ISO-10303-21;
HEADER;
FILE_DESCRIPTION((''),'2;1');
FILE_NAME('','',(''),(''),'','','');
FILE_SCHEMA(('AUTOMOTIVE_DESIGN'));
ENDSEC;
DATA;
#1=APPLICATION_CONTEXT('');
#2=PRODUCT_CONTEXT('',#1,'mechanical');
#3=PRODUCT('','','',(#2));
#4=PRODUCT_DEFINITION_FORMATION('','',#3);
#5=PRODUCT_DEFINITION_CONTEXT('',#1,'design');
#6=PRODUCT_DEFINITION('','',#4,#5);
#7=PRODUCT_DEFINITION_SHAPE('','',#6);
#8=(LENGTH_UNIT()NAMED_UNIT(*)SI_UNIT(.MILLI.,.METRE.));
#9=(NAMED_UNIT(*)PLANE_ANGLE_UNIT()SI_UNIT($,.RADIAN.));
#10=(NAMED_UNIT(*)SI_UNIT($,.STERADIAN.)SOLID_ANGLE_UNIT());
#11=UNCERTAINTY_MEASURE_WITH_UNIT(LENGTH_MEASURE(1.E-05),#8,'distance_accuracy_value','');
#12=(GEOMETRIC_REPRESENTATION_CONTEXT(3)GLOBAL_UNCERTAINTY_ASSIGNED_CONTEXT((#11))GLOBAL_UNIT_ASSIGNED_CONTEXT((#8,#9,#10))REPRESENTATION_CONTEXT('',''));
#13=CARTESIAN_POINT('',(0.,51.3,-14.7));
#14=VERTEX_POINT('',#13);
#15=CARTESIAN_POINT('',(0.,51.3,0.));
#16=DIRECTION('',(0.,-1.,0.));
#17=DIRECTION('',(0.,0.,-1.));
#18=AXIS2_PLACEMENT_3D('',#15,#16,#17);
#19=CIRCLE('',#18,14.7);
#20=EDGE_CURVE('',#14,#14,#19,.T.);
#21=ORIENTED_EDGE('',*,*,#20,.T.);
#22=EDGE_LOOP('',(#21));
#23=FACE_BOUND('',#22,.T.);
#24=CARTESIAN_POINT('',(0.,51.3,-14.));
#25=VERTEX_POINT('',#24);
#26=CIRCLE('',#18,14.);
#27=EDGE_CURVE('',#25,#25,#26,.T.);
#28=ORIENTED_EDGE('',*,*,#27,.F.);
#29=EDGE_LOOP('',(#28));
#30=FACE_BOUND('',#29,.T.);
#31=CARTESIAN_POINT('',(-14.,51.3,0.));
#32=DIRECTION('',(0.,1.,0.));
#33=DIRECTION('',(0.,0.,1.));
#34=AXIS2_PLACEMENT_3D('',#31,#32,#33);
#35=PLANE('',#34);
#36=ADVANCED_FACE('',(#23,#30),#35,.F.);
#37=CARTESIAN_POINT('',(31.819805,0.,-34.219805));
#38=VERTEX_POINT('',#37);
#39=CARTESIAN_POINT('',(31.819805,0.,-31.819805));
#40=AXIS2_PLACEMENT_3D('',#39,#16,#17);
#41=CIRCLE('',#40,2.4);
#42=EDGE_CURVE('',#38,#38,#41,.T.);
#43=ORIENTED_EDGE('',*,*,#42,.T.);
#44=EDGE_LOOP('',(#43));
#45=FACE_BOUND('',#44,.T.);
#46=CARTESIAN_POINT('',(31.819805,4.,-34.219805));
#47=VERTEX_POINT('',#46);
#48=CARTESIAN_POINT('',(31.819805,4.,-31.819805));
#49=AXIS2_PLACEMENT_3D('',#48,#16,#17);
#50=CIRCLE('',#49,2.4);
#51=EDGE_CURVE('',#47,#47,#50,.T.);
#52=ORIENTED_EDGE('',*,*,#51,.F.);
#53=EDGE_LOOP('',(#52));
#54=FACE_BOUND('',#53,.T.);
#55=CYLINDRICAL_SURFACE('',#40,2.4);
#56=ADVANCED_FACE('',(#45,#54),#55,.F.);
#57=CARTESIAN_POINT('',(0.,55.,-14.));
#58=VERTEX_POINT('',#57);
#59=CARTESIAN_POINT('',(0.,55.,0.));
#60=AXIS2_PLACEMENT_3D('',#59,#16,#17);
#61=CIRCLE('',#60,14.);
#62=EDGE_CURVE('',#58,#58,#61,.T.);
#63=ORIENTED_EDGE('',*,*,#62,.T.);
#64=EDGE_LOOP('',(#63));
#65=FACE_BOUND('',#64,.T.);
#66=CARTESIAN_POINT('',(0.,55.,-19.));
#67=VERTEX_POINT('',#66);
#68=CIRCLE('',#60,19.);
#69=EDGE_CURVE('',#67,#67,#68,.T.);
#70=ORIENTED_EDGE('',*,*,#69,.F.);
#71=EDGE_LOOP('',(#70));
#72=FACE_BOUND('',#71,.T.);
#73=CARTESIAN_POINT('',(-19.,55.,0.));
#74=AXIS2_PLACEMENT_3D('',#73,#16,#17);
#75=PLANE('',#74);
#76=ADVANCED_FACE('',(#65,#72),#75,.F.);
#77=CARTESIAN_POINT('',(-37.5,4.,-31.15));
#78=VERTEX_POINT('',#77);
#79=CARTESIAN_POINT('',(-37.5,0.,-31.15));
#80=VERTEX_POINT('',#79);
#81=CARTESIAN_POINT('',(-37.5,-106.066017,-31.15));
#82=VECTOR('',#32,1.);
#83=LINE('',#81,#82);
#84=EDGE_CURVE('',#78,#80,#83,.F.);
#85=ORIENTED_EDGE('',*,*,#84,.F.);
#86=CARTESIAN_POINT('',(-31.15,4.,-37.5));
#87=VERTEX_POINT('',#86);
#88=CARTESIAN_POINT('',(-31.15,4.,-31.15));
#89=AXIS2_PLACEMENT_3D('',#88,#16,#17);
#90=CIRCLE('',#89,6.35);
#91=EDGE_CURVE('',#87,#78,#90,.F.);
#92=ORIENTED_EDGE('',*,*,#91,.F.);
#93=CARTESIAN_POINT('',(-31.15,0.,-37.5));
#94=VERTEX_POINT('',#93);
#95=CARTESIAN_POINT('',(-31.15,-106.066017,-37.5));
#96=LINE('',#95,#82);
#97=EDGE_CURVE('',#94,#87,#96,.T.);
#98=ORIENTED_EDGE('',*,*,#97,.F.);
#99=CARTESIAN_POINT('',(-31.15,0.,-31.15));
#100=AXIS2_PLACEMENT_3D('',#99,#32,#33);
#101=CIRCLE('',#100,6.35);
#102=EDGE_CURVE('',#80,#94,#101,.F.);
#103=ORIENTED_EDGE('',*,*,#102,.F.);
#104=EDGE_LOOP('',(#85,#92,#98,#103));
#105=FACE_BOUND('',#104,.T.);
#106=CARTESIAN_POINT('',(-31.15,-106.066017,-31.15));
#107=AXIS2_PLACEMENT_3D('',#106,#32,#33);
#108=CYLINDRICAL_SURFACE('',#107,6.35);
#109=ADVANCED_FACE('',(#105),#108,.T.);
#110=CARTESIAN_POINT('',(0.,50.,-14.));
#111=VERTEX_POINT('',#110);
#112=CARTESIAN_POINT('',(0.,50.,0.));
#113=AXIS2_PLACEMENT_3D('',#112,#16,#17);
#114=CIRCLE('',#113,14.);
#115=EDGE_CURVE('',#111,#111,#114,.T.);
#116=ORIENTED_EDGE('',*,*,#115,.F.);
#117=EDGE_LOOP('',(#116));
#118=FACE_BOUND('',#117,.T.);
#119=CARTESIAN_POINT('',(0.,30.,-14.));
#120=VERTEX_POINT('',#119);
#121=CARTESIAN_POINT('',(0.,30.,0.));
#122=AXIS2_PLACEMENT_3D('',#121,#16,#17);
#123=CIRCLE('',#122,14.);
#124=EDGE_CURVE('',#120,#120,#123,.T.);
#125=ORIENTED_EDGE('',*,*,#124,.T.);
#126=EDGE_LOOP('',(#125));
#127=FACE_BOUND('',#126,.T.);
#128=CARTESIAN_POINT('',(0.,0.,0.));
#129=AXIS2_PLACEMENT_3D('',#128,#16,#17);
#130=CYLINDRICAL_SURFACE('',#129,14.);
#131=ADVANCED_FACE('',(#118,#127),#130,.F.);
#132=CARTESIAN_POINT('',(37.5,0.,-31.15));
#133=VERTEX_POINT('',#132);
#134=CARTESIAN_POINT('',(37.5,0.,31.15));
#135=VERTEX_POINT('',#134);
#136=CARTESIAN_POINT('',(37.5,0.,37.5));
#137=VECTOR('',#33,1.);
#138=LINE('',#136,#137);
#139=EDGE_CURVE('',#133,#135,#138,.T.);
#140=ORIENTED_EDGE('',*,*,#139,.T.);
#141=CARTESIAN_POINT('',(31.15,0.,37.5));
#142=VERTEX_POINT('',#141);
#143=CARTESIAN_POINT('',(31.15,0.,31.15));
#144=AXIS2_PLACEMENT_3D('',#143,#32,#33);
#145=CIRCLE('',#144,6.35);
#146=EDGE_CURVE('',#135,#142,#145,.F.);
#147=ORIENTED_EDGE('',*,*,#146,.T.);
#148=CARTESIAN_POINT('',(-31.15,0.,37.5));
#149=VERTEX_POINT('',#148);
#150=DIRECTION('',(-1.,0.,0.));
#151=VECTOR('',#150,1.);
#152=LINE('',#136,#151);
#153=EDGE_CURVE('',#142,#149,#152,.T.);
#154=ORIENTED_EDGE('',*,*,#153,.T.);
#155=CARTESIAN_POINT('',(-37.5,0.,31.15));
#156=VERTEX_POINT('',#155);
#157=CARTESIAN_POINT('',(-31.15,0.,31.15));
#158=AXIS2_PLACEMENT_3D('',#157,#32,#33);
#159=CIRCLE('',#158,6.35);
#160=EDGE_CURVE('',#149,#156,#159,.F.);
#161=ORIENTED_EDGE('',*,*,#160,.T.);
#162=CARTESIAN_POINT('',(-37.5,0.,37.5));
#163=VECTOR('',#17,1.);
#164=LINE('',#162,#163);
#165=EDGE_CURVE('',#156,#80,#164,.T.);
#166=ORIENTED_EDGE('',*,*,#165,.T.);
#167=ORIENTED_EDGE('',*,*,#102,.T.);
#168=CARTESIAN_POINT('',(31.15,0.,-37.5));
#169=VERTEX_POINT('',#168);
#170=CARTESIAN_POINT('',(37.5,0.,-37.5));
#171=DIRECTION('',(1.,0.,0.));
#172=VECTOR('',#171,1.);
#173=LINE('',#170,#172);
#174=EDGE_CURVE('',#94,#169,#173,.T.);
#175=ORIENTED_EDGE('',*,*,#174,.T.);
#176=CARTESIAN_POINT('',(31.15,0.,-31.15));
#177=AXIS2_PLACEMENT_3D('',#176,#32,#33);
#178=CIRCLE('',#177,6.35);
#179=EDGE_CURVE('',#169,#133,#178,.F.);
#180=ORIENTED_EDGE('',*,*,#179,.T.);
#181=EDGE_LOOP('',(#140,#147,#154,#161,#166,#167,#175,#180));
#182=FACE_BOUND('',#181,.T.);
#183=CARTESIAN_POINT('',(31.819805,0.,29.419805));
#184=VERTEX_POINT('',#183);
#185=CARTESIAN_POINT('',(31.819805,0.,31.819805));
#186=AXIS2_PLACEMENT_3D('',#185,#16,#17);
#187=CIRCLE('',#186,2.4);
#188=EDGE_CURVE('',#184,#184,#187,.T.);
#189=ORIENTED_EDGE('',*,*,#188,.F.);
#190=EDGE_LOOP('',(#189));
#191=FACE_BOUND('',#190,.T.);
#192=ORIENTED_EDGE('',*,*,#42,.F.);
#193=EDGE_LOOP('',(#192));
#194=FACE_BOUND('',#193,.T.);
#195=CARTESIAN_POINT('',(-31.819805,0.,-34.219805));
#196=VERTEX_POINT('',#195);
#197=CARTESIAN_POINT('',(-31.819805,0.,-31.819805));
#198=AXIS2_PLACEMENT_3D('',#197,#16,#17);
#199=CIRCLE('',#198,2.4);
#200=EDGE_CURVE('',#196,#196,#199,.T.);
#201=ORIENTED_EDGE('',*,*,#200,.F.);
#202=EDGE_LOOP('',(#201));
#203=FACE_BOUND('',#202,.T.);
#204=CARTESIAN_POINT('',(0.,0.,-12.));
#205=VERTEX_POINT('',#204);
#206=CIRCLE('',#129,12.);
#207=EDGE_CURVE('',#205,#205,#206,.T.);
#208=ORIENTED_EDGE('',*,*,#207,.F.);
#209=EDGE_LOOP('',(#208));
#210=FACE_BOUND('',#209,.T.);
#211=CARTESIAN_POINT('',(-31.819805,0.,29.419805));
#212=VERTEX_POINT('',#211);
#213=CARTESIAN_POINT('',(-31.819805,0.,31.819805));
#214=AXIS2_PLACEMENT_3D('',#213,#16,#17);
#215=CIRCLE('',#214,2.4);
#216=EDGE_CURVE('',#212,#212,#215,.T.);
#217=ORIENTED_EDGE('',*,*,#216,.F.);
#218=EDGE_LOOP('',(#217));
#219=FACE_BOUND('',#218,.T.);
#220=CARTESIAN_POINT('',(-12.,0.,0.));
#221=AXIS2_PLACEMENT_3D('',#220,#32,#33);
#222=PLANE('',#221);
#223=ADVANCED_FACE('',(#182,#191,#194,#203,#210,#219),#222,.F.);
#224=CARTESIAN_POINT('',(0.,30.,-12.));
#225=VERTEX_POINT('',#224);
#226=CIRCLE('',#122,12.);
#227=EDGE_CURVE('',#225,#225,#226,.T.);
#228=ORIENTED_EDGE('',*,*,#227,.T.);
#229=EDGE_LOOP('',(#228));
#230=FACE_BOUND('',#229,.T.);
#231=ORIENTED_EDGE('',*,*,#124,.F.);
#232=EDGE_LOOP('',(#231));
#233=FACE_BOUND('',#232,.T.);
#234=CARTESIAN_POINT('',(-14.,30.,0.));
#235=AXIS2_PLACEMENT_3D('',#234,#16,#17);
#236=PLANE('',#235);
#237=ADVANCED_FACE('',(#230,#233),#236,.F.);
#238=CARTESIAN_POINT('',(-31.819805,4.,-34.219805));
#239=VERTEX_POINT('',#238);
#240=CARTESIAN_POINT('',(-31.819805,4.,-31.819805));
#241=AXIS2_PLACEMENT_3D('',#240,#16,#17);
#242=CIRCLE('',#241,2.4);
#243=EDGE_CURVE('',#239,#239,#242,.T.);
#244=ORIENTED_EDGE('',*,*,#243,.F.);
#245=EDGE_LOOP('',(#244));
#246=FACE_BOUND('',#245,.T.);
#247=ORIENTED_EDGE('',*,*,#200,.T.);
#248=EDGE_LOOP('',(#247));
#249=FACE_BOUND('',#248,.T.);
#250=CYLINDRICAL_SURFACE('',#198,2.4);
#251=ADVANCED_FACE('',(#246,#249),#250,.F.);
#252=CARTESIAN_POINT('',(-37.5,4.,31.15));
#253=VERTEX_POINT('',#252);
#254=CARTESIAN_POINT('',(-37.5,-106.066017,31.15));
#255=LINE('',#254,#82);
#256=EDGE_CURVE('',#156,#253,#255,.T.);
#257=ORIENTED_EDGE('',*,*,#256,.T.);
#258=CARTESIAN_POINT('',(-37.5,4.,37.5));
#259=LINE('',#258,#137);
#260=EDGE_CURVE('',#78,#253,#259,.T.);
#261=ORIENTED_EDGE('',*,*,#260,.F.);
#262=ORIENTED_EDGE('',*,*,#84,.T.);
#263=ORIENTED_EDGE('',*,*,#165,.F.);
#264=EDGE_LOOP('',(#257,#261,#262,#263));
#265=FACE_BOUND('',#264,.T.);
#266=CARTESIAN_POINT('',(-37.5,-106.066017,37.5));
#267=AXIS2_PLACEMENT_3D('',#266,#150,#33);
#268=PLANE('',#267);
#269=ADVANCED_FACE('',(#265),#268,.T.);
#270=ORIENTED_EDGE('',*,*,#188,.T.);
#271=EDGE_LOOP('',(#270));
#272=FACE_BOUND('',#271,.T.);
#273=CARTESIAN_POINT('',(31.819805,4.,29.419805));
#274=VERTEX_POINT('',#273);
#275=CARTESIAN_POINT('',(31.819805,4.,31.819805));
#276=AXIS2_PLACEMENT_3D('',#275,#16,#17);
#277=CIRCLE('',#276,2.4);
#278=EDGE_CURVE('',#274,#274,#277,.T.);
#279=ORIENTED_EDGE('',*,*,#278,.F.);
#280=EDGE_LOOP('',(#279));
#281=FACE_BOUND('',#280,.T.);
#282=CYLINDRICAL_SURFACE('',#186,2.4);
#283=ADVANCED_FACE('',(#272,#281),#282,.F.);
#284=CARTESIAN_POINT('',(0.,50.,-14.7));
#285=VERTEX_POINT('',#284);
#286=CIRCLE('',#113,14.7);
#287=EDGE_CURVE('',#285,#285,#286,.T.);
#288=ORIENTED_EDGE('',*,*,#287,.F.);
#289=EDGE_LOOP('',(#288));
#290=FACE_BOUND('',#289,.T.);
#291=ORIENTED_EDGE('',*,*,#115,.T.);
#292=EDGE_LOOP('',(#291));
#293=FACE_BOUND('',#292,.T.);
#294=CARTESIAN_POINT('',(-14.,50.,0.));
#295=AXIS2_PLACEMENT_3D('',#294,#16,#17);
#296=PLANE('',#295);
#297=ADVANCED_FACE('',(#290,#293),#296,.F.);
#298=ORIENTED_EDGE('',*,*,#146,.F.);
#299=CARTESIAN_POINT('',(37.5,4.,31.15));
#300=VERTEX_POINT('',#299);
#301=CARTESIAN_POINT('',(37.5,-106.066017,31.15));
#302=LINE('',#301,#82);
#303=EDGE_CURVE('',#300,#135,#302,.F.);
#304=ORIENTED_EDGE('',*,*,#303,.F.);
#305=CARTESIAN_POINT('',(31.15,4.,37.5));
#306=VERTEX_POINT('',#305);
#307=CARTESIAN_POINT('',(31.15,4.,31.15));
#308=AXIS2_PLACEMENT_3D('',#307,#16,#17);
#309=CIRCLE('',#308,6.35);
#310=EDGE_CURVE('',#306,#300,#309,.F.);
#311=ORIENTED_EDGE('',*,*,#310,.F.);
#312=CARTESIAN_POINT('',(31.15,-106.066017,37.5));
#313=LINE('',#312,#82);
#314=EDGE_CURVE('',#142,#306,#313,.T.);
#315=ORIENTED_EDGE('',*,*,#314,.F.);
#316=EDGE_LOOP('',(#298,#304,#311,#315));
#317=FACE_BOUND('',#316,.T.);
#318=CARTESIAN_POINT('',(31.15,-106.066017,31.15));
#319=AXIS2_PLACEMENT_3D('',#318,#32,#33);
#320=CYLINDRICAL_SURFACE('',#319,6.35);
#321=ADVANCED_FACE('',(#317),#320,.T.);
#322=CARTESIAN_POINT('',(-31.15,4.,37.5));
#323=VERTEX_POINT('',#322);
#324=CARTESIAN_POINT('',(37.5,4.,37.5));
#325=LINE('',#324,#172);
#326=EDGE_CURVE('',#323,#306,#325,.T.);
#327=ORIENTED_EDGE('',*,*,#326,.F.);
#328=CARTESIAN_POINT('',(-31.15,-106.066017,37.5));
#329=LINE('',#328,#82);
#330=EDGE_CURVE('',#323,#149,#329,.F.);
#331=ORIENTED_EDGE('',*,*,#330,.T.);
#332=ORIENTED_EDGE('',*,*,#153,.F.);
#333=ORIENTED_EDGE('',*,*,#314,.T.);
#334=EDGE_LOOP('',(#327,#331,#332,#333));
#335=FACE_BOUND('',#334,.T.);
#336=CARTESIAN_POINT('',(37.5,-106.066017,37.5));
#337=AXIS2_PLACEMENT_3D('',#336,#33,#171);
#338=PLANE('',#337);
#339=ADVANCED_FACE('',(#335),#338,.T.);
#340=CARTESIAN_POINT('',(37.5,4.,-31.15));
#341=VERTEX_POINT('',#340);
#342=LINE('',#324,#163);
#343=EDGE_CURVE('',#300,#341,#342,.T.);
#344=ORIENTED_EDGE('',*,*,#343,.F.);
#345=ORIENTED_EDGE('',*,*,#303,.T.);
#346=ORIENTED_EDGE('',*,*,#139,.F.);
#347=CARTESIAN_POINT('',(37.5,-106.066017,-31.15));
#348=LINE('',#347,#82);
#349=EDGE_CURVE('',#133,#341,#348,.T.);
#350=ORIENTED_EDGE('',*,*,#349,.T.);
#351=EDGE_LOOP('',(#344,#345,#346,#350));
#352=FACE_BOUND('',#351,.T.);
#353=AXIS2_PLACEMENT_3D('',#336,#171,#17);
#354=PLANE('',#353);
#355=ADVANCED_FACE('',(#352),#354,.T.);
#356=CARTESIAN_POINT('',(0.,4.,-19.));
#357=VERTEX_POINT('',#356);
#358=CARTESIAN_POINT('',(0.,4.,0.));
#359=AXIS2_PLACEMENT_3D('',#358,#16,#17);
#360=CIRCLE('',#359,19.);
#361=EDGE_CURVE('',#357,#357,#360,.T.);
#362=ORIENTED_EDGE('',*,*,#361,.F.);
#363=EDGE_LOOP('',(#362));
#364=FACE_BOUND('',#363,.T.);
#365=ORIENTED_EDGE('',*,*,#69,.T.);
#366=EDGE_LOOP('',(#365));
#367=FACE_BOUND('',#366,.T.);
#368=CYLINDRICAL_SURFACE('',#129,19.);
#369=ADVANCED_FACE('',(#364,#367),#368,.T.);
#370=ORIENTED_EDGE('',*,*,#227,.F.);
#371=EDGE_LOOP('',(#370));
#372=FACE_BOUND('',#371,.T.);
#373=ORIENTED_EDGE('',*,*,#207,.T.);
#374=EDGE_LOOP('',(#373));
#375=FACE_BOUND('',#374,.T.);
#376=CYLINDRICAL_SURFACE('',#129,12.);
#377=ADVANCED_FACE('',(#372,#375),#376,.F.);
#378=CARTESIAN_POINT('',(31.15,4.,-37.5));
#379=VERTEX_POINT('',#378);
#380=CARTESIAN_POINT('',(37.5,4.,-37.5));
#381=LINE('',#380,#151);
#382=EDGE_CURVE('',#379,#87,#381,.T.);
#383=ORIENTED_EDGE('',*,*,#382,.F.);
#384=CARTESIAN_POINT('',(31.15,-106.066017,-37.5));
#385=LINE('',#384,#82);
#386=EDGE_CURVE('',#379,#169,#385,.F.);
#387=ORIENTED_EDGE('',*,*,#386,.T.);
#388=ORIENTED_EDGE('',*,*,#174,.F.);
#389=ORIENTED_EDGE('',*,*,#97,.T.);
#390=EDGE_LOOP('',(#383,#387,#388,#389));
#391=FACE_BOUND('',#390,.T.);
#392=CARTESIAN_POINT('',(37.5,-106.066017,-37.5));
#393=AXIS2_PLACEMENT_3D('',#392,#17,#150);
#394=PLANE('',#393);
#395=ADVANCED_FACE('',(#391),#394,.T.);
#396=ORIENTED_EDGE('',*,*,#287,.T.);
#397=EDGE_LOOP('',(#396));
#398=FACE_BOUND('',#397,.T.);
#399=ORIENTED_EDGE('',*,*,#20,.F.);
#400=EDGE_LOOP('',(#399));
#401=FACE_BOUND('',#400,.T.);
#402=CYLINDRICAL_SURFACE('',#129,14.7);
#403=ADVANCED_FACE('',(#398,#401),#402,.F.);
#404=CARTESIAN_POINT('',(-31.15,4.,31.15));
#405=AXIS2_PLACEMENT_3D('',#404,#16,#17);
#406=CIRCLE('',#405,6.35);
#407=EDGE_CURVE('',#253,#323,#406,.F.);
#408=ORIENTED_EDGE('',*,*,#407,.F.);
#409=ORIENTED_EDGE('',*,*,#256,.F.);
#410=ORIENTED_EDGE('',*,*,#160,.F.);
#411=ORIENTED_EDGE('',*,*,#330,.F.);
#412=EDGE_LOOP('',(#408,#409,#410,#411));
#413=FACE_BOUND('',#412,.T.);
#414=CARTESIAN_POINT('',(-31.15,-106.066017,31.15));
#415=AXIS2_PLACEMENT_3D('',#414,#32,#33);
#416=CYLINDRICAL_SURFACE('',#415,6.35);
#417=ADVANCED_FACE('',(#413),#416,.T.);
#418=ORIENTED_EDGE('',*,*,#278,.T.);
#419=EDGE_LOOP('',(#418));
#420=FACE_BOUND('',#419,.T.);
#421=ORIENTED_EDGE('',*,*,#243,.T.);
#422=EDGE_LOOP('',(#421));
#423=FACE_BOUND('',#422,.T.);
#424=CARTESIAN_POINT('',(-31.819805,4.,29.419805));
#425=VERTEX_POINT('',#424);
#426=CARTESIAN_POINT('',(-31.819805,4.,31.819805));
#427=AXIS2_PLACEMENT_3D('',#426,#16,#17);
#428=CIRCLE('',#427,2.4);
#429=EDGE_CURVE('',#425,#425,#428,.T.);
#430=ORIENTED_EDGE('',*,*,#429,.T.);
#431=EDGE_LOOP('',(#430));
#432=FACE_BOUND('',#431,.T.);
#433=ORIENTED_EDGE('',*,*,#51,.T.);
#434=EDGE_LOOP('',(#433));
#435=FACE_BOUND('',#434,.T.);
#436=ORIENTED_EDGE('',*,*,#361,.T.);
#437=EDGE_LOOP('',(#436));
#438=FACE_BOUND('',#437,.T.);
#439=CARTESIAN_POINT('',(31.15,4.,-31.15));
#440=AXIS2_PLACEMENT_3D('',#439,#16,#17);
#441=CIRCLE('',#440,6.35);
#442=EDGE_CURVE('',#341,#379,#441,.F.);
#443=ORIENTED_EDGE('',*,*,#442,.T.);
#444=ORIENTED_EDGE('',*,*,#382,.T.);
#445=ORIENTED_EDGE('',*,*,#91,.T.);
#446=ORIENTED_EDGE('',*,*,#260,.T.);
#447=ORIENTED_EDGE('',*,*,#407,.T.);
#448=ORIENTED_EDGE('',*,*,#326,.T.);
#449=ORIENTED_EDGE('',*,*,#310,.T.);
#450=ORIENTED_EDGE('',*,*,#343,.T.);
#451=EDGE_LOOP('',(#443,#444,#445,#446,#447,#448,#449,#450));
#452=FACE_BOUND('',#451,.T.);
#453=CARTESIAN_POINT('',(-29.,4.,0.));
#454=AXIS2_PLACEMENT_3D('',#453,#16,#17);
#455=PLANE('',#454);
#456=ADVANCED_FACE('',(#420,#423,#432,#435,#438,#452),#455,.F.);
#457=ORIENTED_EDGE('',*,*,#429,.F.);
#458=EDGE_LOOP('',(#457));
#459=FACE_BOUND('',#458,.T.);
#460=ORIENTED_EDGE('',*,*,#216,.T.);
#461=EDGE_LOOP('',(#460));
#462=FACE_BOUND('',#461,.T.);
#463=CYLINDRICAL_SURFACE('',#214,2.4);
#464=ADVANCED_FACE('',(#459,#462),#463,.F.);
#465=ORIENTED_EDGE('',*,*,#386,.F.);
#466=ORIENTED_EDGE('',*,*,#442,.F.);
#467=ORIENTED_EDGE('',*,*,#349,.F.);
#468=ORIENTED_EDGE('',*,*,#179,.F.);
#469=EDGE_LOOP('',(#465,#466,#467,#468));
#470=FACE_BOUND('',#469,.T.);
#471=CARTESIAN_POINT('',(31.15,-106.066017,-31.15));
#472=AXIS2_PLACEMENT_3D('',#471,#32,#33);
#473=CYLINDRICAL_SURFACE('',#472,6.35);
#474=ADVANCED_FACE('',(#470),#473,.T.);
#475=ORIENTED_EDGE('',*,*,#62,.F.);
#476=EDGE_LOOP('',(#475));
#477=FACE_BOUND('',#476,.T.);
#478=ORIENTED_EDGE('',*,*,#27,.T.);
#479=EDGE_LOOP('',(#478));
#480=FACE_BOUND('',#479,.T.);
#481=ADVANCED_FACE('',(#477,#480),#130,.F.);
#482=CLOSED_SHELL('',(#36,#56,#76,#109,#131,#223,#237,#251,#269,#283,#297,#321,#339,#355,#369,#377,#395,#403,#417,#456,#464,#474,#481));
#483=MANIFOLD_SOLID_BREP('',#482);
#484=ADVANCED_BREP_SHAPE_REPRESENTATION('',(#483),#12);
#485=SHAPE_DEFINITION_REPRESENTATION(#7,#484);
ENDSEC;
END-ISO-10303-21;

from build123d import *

# Parameters (mm, degrees)
SKETCH2_W                = 75
SKETCH2_H                = 75
SKETCH2_R                = 21
BOSS_EXTRUDE1_DEPTH      = 4
M4_CLEARANCE_HOLE1_D     = 4.8
M4_CLEARANCE_HOLE1_DEPTH = 55
FILLET1_R                = 6.35


with BuildPart() as part:
    # Sketch1 → Revolve1 (revolve)
    with BuildSketch(Plane.XY, mode=Mode.PRIVATE) as revolve1_sk:
        Polygon((-12, 0), (-29, 0), (-29, 4), (-19, 4), (-19, 55), (-14, 55), (-14, 51.3), (-14.7, 51.3), (-14.7, 50), (-14, 50), (-14, 30), (-12, 30), align=None)
    revolve(revolve1_sk.sketch.rotate(Axis((0, 0, 0), (0, 1, 0)), 270), axis=Axis((0, 0, 0), (0, 1, 0)))

    # Sketch2 → Boss-Extrude1 (add)
    with BuildSketch(Plane(origin=(0, 4, 0), x_dir=(1, 0, 0), z_dir=(0, 1, 0))):
        Rectangle(SKETCH2_W, SKETCH2_H)
        Circle(SKETCH2_R, mode=Mode.SUBTRACT)
    extrude(amount=-BOSS_EXTRUDE1_DEPTH)

    # M4 Clearance Hole1
    with Locations(Plane(origin=(0, 0, 0), x_dir=(-1, 0, 0), z_dir=(0, -1, 0))):
        with Locations((0, 0), (-31.819805153, 31.819805153), (31.819805153, 31.819805153), (31.819805153, -31.819805153), (-31.819805153, -31.819805153)):
            Hole(M4_CLEARANCE_HOLE1_D / 2, depth=M4_CLEARANCE_HOLE1_DEPTH)

    # Fillet1
    fillet1_edges = [part.edges().sort_by_distance(p)[0] for p in [
        (37.5, 2, 37.5),
        (37.5, 2, -37.5),
        (-37.5, 2, -37.5),
        (-37.5, 2, 37.5),
    ]]
    fillet(fillet1_edges, radius=FILLET1_R)


solid = part.part
